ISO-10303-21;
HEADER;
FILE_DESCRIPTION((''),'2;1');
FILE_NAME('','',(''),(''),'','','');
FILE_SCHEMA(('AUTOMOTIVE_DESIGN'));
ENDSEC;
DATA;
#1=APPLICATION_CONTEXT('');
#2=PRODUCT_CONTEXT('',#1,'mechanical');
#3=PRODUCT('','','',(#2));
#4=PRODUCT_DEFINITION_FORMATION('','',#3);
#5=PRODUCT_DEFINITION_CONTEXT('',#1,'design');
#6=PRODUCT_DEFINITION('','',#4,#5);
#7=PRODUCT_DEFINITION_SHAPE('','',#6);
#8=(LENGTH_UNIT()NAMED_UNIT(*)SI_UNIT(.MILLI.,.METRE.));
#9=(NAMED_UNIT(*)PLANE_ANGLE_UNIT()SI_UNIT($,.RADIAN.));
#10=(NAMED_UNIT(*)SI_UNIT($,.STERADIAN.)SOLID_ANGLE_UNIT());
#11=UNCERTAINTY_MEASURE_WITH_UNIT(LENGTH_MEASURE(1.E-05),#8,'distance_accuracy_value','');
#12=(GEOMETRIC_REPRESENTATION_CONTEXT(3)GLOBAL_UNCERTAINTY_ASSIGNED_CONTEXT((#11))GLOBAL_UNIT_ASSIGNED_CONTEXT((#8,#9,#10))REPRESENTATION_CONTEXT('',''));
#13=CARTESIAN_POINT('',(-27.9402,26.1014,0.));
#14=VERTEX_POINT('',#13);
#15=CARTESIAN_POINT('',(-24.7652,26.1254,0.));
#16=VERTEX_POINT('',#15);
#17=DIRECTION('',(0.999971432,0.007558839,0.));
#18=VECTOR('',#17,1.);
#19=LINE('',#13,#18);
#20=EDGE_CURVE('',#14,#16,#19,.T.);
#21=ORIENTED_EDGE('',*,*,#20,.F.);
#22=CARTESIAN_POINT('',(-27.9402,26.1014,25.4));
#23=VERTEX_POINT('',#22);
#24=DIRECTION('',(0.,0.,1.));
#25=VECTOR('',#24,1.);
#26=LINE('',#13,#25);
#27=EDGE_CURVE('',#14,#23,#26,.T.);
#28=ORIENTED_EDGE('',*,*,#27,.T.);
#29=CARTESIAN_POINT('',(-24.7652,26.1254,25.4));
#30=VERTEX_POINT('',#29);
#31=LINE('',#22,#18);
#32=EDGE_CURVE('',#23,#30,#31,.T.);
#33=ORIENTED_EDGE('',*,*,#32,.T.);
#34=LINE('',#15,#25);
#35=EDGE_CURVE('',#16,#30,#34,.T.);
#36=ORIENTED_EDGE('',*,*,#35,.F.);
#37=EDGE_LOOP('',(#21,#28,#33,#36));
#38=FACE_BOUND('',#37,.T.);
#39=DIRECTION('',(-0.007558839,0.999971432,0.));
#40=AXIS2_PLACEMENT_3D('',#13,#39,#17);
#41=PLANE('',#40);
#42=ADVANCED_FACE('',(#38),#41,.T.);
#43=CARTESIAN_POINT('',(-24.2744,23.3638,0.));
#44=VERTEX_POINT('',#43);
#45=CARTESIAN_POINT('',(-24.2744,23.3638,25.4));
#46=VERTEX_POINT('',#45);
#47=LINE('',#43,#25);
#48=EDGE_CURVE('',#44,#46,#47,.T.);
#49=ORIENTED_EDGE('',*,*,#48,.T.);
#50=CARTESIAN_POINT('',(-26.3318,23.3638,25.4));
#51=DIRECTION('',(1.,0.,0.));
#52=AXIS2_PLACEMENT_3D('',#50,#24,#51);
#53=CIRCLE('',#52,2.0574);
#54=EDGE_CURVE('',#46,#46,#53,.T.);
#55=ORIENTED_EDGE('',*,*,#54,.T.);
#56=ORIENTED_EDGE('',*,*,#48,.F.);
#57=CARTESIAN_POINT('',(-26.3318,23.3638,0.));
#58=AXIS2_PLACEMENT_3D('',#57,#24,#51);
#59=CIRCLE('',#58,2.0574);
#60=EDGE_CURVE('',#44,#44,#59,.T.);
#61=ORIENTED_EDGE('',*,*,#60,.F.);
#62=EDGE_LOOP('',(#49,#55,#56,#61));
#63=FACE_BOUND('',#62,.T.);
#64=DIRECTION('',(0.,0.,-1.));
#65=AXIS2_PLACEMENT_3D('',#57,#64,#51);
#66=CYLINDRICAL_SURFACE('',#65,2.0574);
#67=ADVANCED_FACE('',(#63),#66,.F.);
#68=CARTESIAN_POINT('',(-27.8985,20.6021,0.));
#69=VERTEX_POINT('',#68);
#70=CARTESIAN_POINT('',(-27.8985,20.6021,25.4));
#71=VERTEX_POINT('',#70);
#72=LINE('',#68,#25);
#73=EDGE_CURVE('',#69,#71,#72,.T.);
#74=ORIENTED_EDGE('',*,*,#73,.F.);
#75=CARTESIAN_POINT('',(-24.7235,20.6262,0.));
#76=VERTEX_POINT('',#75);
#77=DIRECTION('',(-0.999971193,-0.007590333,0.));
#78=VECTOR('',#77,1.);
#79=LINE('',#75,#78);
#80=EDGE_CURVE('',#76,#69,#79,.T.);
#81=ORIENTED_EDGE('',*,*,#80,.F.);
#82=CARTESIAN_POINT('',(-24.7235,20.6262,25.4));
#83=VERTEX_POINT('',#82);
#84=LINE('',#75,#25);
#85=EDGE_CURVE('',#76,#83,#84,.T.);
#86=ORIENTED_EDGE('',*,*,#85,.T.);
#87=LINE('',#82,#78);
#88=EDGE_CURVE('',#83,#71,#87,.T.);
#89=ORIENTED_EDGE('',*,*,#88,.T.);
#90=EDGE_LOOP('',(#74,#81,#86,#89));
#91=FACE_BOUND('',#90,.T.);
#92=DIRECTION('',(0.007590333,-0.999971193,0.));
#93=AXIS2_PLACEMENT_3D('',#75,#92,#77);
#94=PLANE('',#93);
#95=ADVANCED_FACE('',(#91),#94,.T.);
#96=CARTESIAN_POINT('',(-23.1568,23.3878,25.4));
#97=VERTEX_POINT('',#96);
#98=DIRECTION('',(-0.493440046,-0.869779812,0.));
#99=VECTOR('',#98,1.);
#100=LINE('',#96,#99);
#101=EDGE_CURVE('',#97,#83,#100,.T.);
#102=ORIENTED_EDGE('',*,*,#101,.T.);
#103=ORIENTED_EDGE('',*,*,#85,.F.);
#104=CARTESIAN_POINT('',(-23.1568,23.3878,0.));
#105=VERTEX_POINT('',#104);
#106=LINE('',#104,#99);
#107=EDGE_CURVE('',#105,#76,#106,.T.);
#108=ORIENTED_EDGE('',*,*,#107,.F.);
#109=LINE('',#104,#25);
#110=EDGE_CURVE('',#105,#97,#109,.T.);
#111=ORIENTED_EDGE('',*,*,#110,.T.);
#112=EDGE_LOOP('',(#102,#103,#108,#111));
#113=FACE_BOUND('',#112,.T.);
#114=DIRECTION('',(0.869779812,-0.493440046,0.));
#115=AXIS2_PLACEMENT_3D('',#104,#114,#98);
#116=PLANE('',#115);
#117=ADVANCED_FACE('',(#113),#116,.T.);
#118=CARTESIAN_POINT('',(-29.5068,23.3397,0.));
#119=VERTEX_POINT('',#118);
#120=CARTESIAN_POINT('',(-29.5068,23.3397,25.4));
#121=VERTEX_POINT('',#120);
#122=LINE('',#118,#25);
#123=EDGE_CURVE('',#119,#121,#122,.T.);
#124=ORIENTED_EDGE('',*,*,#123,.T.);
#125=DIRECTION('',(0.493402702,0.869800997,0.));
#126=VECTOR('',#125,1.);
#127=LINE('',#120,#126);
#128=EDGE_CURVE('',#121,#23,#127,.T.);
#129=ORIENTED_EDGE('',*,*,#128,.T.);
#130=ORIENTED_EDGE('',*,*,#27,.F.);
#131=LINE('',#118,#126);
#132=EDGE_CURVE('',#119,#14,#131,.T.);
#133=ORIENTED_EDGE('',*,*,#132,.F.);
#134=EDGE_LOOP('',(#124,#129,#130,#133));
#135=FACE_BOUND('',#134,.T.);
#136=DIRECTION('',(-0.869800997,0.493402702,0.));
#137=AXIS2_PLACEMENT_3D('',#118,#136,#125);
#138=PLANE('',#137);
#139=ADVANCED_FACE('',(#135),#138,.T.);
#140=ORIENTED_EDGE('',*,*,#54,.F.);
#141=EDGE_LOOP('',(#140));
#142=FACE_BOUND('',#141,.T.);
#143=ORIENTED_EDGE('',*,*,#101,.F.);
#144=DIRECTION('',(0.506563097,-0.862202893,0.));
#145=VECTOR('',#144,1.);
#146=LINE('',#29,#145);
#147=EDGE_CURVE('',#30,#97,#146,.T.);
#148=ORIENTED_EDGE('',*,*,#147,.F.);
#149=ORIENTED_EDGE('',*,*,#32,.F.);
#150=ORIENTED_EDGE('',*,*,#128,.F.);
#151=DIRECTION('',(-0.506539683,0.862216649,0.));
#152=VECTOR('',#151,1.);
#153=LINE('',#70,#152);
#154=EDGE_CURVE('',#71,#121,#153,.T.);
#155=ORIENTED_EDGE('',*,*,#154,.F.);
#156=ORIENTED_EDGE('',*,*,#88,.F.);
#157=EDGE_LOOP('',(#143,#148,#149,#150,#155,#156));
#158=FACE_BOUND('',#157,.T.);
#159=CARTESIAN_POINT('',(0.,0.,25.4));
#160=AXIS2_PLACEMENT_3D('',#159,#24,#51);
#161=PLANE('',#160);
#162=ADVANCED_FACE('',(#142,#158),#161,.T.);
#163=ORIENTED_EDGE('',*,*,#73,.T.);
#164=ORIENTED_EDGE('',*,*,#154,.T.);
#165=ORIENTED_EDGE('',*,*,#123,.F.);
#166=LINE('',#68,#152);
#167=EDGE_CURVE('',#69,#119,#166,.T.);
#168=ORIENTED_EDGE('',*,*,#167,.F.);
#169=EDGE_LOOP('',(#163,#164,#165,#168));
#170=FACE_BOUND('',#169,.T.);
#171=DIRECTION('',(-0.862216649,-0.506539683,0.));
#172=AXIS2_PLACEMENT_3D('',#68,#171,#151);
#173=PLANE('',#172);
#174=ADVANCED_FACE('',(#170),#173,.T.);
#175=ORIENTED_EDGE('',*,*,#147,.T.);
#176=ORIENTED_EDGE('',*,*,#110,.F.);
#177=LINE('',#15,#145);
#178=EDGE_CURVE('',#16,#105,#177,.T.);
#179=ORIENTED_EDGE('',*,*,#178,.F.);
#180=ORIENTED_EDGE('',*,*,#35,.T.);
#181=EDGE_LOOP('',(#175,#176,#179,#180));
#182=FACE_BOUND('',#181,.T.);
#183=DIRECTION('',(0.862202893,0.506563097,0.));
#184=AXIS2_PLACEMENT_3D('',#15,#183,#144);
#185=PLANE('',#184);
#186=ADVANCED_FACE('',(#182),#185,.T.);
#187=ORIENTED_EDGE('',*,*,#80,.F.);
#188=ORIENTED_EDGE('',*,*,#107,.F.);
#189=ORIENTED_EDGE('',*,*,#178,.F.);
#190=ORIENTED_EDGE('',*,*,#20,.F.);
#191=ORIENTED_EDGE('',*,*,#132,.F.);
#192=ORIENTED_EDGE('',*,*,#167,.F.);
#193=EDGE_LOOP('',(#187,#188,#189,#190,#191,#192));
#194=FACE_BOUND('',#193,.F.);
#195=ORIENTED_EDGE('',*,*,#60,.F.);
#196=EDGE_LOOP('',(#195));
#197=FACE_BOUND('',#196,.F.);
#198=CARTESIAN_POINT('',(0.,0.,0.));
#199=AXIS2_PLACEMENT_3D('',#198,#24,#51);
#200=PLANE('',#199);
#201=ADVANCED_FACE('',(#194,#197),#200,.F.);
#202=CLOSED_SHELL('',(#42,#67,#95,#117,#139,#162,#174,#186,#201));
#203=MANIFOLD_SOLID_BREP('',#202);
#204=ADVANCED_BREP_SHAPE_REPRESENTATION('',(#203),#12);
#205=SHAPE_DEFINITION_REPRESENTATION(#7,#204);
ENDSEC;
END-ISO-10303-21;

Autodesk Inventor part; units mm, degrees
ref_plane "YZ Plane" through (0, 0, 0) normal (1, 0, 0) x (0, 1, 0)
ref_plane "XZ Plane" through (0, 0, 0) normal (0, 1, 0) x (-1, 0, 0)
ref_plane "XY Plane" through (0, 0, 0) normal (0, 0, 1) x (1, 0, 0)
sketch "Sketch1" plane through (0, 0, 0) normal (0, 0, 1) x (1, 0, 0)
  line L0 (-23.1568, 23.3878) -> (-24.7235, 20.6262)
  line L1 (-24.7235, 20.6262) -> (-27.8985, 20.6021)
  line L2 (-27.8985, 20.6021) -> (-29.5068, 23.3397)
  line L3 (-29.5068, 23.3397) -> (-27.9402, 26.1014)
  line L4 (-27.9402, 26.1014) -> (-24.7652, 26.1254)
  line L5 (-24.7652, 26.1254) -> (-23.1568, 23.3878)
  circle A0 centre (-26.3318, 23.3638) radius 2.0574
  dimension "d0" = 6.35
  dimension "d1" = 4.1148
extrude "Extrusion1" add sketch "Sketch1" along normal blind 25.4
thread "Thread1" size "8-32 UNC" class "2B" standard "ANSI Unified Screw Threads" full length
properties part number "Traction Wheel Brace 1764"
